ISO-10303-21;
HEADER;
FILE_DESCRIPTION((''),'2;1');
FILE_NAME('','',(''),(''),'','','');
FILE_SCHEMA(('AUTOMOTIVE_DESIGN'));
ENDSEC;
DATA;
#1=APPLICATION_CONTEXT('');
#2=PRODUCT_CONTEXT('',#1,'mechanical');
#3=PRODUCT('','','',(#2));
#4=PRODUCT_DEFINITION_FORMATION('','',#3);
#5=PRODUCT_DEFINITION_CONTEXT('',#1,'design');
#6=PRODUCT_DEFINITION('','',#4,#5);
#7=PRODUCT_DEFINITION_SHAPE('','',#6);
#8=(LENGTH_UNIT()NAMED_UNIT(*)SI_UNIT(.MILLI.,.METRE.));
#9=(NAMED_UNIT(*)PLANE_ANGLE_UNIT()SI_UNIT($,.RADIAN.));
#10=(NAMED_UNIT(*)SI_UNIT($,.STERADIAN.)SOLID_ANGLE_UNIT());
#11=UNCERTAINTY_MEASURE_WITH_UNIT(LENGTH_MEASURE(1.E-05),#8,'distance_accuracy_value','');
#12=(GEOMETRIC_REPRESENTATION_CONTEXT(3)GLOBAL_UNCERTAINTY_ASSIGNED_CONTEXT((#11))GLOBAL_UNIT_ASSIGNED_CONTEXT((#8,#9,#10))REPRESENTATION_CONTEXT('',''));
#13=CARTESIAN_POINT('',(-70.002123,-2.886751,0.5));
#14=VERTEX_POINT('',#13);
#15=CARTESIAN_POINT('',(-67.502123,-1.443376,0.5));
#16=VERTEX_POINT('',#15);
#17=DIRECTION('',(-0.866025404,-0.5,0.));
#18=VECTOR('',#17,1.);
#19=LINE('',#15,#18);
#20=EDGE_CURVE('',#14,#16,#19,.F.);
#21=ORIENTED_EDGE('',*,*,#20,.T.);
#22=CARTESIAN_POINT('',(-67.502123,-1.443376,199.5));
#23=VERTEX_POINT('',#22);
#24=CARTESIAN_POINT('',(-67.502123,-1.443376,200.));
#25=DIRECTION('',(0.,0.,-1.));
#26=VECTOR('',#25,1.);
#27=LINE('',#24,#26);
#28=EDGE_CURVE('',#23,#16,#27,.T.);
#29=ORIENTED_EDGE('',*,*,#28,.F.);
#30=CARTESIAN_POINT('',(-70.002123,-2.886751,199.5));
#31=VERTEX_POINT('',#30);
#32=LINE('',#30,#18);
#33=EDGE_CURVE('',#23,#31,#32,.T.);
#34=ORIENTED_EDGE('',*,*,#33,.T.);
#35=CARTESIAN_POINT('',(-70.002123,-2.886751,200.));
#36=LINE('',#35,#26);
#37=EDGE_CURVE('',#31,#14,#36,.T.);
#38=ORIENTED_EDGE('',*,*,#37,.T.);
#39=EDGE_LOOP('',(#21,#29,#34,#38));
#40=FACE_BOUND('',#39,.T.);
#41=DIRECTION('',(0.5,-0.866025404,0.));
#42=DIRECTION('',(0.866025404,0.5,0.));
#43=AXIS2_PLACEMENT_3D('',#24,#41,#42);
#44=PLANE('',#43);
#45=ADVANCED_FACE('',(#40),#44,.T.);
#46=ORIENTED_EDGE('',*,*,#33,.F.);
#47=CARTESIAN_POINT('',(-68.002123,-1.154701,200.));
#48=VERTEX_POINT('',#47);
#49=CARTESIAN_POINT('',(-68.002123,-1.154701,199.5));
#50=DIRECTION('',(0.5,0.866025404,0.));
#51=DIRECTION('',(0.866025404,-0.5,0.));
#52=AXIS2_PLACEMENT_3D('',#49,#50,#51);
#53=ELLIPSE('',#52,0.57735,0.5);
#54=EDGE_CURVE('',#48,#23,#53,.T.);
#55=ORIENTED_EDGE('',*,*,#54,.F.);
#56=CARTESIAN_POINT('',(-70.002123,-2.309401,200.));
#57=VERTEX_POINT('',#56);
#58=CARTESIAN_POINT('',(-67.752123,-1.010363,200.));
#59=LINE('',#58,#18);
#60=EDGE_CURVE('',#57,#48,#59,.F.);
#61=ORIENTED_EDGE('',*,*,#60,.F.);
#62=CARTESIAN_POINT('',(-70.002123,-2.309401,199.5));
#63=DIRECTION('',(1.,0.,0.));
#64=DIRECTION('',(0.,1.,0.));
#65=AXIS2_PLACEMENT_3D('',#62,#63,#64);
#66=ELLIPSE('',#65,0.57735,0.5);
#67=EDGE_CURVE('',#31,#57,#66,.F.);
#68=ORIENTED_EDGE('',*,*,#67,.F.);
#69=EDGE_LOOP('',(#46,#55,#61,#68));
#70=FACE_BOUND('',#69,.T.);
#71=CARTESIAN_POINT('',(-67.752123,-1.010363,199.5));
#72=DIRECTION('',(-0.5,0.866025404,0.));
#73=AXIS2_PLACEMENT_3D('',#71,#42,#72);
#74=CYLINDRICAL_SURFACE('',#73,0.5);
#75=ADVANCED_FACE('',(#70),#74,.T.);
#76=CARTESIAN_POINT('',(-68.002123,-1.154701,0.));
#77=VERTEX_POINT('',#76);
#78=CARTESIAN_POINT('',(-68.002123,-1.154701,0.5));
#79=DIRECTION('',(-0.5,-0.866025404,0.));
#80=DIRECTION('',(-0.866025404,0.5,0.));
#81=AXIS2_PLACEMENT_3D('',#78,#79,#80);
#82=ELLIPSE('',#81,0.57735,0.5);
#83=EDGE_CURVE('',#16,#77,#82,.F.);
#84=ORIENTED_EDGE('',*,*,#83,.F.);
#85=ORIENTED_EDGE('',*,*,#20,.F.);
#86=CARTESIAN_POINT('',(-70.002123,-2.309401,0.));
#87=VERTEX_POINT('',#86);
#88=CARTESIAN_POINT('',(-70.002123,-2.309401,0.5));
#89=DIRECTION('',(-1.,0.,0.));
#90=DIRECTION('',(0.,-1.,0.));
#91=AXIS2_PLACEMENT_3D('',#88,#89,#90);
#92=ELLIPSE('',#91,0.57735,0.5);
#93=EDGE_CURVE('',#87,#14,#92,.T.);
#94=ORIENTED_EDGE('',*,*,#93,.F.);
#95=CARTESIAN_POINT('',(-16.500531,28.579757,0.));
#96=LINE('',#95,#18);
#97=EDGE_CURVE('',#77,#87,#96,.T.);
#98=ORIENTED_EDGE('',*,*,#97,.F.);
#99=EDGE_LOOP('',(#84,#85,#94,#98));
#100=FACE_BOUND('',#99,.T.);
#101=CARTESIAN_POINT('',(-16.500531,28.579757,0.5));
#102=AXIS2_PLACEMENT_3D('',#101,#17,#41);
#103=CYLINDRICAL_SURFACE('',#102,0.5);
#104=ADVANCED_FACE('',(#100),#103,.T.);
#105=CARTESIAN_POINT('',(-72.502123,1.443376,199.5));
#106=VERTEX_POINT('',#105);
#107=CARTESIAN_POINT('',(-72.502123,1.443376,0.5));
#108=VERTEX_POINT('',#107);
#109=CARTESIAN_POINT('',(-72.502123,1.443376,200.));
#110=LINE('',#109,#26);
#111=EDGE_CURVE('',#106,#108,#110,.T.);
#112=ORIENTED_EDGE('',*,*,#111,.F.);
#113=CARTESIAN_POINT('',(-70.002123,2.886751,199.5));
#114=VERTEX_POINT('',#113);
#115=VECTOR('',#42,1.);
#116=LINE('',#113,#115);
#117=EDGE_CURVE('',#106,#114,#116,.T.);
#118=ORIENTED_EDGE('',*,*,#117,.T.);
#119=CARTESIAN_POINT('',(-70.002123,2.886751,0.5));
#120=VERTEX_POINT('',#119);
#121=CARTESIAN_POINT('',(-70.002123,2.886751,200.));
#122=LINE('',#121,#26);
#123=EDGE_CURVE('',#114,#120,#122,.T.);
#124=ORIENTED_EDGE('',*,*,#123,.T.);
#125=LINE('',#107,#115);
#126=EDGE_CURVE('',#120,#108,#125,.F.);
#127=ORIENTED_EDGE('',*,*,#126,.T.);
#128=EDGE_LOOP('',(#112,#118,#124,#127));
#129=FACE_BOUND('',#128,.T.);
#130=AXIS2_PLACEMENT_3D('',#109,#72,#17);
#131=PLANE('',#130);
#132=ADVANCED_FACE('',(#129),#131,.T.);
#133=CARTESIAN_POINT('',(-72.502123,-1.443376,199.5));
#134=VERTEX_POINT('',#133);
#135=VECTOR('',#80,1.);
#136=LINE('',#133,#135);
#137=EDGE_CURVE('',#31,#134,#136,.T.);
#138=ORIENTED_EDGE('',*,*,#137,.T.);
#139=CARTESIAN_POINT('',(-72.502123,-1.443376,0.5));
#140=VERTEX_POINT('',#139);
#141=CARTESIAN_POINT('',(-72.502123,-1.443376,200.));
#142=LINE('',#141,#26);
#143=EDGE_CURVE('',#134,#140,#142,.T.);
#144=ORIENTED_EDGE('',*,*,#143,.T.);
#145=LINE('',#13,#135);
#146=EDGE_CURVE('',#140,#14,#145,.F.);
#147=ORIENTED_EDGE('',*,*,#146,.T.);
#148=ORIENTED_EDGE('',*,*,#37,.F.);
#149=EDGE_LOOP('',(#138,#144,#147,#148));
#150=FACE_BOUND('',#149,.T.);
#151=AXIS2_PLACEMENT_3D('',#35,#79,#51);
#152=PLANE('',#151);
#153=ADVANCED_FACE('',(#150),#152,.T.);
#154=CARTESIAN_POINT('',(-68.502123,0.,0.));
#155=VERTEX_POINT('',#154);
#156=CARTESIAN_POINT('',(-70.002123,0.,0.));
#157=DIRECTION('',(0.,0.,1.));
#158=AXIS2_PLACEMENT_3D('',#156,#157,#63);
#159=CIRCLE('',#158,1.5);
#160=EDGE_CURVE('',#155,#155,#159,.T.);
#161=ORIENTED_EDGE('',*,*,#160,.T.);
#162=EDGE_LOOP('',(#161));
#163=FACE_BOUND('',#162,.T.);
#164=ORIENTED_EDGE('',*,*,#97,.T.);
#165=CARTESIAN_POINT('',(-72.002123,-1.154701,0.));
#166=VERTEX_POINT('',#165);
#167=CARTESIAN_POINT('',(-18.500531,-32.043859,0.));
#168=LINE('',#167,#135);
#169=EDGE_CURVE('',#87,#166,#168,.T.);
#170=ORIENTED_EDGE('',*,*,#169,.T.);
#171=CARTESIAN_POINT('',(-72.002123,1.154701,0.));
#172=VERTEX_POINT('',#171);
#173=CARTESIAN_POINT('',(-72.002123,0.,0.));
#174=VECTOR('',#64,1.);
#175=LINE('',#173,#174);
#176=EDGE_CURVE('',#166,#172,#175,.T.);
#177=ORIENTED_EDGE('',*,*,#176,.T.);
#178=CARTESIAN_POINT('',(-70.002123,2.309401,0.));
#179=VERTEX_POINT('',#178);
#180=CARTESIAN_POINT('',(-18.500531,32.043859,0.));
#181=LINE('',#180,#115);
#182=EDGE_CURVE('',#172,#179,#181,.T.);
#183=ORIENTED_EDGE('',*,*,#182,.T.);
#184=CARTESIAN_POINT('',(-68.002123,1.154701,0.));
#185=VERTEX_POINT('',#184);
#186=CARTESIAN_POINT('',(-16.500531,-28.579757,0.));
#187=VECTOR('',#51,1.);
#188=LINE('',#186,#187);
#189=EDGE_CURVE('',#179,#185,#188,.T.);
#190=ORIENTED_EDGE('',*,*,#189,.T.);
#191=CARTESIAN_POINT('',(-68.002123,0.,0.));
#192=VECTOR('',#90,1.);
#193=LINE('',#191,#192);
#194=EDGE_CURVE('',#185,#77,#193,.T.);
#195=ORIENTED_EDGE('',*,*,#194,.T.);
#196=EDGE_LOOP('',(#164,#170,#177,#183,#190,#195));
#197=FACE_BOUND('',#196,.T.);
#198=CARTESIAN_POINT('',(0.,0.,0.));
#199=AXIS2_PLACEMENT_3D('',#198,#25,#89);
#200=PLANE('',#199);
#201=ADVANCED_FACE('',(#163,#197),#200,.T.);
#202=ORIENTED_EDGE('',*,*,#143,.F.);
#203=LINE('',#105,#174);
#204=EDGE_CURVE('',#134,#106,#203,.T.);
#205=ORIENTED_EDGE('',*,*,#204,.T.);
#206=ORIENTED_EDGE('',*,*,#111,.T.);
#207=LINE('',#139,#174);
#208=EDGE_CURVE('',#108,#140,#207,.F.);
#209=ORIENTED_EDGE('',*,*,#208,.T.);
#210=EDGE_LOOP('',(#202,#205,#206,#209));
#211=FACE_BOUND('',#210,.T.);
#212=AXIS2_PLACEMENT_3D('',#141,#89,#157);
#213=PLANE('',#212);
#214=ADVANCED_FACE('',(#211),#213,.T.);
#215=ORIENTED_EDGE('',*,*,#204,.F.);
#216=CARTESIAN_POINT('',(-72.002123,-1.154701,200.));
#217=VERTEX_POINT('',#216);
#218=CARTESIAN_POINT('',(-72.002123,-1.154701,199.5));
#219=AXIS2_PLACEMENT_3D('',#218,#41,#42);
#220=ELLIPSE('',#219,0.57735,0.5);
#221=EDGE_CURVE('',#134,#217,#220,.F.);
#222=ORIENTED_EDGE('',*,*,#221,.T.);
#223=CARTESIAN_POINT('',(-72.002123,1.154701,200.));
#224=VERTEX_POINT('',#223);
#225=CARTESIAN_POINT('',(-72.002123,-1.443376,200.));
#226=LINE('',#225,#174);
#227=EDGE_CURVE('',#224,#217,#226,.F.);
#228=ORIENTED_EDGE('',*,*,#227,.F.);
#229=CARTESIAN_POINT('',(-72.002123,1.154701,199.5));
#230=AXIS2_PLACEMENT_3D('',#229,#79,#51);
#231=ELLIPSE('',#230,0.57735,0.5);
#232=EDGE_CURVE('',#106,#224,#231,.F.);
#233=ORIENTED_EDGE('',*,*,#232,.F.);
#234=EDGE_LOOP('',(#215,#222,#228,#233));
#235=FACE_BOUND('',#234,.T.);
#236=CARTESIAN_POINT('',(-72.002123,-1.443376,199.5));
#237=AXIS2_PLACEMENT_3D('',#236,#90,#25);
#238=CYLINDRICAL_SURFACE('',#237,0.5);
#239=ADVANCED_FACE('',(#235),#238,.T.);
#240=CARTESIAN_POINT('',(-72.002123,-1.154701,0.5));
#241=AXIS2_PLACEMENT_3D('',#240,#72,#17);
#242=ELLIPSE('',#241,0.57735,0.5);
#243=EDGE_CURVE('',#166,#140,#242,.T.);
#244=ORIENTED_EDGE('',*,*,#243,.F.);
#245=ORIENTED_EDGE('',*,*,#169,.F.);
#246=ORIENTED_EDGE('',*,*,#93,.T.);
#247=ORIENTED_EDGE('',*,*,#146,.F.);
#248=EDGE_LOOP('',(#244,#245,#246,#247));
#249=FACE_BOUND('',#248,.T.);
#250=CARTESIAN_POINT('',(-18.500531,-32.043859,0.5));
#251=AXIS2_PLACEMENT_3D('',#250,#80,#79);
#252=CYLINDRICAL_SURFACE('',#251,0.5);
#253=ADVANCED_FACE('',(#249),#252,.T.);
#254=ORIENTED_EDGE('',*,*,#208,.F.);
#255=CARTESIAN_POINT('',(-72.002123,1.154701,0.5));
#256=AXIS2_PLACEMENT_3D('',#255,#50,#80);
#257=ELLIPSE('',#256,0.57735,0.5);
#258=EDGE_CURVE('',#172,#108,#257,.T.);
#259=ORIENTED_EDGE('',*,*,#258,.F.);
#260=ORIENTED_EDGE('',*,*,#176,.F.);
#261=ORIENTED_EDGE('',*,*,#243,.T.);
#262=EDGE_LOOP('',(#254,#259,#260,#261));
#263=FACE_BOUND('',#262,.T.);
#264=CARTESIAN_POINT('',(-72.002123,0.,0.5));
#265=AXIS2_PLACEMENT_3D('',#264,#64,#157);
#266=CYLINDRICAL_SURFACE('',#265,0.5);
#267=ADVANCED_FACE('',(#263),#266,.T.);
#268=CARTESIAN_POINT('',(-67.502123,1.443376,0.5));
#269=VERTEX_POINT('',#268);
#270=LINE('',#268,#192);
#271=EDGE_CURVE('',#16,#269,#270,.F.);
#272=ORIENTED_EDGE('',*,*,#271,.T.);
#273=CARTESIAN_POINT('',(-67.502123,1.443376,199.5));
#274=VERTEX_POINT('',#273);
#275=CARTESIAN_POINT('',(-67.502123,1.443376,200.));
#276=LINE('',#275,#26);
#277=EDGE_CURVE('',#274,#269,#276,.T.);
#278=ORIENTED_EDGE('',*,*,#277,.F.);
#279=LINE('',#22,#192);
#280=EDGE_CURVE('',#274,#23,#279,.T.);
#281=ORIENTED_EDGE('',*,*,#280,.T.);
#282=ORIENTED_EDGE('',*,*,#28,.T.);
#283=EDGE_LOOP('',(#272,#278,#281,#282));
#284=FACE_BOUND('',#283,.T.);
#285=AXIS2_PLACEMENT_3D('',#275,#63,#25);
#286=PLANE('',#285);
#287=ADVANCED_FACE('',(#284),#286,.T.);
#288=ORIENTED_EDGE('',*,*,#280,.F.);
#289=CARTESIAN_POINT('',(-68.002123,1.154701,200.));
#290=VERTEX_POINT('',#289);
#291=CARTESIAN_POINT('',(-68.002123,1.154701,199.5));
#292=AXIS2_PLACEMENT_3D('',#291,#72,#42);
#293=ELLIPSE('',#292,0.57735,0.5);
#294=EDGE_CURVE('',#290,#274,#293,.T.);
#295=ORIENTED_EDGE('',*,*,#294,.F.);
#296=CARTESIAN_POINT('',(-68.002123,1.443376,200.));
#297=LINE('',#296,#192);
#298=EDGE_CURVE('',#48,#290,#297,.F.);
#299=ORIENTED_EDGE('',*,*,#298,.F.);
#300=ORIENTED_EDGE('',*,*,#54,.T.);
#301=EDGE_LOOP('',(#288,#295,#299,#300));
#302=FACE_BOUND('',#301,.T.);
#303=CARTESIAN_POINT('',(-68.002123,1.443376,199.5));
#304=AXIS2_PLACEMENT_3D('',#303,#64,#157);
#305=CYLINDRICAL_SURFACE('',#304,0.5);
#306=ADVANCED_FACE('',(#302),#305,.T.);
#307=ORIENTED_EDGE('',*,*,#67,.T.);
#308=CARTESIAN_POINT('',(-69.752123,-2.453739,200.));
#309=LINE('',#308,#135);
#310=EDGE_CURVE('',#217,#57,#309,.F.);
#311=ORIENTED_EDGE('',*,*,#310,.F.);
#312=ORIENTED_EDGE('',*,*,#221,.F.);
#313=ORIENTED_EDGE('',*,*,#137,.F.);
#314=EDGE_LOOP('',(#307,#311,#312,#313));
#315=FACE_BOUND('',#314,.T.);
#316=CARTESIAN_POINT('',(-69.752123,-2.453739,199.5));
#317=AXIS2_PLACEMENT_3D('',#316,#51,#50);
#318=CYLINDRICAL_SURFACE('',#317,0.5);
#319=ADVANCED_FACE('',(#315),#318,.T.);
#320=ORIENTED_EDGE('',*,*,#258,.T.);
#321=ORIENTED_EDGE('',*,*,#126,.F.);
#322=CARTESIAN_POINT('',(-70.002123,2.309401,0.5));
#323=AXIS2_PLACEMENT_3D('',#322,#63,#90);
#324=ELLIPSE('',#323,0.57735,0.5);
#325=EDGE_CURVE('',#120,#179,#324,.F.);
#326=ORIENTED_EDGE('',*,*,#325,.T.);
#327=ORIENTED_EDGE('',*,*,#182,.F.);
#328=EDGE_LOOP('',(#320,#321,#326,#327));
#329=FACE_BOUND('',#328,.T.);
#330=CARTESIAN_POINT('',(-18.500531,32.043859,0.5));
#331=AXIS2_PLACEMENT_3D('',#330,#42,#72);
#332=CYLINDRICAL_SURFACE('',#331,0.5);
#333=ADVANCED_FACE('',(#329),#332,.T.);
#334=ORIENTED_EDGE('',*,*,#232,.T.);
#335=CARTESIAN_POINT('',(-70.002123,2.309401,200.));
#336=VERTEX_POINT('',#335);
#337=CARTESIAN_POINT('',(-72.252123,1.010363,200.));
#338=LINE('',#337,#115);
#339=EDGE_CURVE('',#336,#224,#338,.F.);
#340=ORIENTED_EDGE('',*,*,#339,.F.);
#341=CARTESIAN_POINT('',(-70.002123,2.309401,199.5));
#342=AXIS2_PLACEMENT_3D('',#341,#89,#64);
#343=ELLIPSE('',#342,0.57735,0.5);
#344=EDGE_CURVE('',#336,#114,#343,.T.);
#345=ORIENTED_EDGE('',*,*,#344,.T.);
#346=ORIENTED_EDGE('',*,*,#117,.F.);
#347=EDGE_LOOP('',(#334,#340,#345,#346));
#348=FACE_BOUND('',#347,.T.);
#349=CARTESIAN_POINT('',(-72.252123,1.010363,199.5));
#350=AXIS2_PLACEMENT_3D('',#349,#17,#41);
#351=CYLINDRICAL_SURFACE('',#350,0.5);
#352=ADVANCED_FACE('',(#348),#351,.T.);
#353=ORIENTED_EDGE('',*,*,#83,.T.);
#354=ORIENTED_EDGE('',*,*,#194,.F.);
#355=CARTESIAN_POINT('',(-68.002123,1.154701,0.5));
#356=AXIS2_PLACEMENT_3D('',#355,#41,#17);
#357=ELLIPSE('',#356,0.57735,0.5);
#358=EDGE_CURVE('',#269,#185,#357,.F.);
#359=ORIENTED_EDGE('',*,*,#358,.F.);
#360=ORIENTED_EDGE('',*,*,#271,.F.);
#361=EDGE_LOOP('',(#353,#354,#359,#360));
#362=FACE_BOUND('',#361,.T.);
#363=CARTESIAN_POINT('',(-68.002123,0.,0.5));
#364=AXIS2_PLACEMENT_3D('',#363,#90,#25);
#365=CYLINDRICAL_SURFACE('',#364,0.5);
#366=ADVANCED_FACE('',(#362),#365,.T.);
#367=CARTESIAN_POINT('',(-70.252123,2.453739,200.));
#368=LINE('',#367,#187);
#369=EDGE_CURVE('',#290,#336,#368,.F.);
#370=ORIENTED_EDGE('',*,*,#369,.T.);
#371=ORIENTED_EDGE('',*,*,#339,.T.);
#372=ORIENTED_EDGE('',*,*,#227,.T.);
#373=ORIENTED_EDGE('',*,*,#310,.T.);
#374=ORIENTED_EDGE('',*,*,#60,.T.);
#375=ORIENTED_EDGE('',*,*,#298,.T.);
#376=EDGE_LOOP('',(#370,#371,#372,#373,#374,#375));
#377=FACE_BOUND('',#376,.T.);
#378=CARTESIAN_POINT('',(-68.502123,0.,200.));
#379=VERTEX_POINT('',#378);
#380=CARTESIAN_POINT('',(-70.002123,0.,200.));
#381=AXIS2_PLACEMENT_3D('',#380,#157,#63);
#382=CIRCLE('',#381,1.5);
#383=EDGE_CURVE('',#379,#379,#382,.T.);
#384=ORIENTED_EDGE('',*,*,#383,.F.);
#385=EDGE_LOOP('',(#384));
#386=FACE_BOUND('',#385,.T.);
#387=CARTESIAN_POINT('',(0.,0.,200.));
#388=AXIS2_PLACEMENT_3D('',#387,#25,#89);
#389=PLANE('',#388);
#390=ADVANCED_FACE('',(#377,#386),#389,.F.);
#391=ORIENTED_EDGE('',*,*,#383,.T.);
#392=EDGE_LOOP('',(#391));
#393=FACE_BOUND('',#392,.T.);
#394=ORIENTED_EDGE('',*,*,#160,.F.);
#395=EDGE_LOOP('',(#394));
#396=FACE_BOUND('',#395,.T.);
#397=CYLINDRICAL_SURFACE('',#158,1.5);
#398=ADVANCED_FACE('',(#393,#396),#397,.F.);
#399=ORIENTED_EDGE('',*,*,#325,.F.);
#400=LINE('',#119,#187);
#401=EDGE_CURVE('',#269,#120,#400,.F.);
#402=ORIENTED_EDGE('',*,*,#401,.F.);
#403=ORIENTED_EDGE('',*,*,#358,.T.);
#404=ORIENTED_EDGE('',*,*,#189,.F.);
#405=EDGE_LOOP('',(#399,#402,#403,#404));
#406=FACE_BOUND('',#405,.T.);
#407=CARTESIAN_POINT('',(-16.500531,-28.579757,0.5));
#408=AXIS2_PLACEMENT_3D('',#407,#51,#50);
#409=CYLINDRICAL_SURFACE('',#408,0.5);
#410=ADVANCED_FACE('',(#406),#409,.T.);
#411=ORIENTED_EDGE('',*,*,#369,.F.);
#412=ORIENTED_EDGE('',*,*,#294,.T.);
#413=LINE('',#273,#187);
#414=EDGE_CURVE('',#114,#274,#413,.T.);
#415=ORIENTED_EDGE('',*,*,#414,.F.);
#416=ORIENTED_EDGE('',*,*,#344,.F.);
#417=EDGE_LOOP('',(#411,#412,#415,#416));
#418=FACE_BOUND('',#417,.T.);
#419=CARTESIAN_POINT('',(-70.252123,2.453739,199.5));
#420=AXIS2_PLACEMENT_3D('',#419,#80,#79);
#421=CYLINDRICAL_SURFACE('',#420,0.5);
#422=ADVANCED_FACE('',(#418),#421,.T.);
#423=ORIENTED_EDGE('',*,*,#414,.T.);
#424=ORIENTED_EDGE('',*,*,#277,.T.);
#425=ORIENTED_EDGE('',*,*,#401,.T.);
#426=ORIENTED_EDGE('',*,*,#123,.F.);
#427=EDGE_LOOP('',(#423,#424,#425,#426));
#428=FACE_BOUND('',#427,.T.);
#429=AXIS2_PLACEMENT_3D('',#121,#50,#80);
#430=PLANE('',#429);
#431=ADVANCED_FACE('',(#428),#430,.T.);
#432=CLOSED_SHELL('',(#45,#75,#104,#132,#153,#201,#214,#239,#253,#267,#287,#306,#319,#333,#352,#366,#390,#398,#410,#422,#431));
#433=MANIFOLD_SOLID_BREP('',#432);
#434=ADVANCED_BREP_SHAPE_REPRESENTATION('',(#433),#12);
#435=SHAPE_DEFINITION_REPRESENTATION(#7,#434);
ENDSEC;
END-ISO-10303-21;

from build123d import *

# Parameters (mm, degrees)
RESSALTO_EXTRUS_O1_DEPTH = 200
FILETE1_R                = 0.5
ESBO_O2_R                = 1.5
CORTE_EXTRUS_O1_DEPTH    = 213.755472611


with BuildPart() as part:
    # Esboço1 → Ressalto-extrusão1 (new body)
    with BuildSketch(Plane(origin=(0, 0, 0), x_dir=(-1, 0, 0), z_dir=(0, 0, -1))):
        Polygon((67.502122675, -1.443375673), (70.002122675, -2.886751346), (72.502122675, -1.443375673), (72.502122675, 1.443375673), (70.002122675, 2.886751346), (67.502122675, 1.443375673), align=None)
    extrude(amount=-RESSALTO_EXTRUS_O1_DEPTH)

    # Filete1
    filete1_edges = [part.edges().sort_by_distance(p)[0] for p in [
        (-71.252122675, -2.165063509, 200),
        (-72.502122675, 0, 200),
        (-71.252122675, 2.165063509, 200),
        (-68.752122675, 2.165063509, 200),
        (-67.502122675, 0, 200),
        (-68.752122675, 2.165063509, 0),
        (-71.252122675, 2.165063509, 0),
        (-72.502122675, 0, 0),
        (-71.252122675, -2.165063509, 0),
        (-68.752122675, -2.165063509, 0),
        (-67.502122675, 0, 0),
        (-68.752122675, -2.165063509, 200),
    ]]
    fillet(filete1_edges, radius=FILETE1_R)

    # Esboço2 → Corte-extrusão1 (cut, through all)
    with BuildSketch(Plane.XY.offset(200)):
        with Locations((-70.002122675, 0)):
            Circle(ESBO_O2_R)
    extrude(amount=-CORTE_EXTRUS_O1_DEPTH, mode=Mode.SUBTRACT)


solid = part.part
